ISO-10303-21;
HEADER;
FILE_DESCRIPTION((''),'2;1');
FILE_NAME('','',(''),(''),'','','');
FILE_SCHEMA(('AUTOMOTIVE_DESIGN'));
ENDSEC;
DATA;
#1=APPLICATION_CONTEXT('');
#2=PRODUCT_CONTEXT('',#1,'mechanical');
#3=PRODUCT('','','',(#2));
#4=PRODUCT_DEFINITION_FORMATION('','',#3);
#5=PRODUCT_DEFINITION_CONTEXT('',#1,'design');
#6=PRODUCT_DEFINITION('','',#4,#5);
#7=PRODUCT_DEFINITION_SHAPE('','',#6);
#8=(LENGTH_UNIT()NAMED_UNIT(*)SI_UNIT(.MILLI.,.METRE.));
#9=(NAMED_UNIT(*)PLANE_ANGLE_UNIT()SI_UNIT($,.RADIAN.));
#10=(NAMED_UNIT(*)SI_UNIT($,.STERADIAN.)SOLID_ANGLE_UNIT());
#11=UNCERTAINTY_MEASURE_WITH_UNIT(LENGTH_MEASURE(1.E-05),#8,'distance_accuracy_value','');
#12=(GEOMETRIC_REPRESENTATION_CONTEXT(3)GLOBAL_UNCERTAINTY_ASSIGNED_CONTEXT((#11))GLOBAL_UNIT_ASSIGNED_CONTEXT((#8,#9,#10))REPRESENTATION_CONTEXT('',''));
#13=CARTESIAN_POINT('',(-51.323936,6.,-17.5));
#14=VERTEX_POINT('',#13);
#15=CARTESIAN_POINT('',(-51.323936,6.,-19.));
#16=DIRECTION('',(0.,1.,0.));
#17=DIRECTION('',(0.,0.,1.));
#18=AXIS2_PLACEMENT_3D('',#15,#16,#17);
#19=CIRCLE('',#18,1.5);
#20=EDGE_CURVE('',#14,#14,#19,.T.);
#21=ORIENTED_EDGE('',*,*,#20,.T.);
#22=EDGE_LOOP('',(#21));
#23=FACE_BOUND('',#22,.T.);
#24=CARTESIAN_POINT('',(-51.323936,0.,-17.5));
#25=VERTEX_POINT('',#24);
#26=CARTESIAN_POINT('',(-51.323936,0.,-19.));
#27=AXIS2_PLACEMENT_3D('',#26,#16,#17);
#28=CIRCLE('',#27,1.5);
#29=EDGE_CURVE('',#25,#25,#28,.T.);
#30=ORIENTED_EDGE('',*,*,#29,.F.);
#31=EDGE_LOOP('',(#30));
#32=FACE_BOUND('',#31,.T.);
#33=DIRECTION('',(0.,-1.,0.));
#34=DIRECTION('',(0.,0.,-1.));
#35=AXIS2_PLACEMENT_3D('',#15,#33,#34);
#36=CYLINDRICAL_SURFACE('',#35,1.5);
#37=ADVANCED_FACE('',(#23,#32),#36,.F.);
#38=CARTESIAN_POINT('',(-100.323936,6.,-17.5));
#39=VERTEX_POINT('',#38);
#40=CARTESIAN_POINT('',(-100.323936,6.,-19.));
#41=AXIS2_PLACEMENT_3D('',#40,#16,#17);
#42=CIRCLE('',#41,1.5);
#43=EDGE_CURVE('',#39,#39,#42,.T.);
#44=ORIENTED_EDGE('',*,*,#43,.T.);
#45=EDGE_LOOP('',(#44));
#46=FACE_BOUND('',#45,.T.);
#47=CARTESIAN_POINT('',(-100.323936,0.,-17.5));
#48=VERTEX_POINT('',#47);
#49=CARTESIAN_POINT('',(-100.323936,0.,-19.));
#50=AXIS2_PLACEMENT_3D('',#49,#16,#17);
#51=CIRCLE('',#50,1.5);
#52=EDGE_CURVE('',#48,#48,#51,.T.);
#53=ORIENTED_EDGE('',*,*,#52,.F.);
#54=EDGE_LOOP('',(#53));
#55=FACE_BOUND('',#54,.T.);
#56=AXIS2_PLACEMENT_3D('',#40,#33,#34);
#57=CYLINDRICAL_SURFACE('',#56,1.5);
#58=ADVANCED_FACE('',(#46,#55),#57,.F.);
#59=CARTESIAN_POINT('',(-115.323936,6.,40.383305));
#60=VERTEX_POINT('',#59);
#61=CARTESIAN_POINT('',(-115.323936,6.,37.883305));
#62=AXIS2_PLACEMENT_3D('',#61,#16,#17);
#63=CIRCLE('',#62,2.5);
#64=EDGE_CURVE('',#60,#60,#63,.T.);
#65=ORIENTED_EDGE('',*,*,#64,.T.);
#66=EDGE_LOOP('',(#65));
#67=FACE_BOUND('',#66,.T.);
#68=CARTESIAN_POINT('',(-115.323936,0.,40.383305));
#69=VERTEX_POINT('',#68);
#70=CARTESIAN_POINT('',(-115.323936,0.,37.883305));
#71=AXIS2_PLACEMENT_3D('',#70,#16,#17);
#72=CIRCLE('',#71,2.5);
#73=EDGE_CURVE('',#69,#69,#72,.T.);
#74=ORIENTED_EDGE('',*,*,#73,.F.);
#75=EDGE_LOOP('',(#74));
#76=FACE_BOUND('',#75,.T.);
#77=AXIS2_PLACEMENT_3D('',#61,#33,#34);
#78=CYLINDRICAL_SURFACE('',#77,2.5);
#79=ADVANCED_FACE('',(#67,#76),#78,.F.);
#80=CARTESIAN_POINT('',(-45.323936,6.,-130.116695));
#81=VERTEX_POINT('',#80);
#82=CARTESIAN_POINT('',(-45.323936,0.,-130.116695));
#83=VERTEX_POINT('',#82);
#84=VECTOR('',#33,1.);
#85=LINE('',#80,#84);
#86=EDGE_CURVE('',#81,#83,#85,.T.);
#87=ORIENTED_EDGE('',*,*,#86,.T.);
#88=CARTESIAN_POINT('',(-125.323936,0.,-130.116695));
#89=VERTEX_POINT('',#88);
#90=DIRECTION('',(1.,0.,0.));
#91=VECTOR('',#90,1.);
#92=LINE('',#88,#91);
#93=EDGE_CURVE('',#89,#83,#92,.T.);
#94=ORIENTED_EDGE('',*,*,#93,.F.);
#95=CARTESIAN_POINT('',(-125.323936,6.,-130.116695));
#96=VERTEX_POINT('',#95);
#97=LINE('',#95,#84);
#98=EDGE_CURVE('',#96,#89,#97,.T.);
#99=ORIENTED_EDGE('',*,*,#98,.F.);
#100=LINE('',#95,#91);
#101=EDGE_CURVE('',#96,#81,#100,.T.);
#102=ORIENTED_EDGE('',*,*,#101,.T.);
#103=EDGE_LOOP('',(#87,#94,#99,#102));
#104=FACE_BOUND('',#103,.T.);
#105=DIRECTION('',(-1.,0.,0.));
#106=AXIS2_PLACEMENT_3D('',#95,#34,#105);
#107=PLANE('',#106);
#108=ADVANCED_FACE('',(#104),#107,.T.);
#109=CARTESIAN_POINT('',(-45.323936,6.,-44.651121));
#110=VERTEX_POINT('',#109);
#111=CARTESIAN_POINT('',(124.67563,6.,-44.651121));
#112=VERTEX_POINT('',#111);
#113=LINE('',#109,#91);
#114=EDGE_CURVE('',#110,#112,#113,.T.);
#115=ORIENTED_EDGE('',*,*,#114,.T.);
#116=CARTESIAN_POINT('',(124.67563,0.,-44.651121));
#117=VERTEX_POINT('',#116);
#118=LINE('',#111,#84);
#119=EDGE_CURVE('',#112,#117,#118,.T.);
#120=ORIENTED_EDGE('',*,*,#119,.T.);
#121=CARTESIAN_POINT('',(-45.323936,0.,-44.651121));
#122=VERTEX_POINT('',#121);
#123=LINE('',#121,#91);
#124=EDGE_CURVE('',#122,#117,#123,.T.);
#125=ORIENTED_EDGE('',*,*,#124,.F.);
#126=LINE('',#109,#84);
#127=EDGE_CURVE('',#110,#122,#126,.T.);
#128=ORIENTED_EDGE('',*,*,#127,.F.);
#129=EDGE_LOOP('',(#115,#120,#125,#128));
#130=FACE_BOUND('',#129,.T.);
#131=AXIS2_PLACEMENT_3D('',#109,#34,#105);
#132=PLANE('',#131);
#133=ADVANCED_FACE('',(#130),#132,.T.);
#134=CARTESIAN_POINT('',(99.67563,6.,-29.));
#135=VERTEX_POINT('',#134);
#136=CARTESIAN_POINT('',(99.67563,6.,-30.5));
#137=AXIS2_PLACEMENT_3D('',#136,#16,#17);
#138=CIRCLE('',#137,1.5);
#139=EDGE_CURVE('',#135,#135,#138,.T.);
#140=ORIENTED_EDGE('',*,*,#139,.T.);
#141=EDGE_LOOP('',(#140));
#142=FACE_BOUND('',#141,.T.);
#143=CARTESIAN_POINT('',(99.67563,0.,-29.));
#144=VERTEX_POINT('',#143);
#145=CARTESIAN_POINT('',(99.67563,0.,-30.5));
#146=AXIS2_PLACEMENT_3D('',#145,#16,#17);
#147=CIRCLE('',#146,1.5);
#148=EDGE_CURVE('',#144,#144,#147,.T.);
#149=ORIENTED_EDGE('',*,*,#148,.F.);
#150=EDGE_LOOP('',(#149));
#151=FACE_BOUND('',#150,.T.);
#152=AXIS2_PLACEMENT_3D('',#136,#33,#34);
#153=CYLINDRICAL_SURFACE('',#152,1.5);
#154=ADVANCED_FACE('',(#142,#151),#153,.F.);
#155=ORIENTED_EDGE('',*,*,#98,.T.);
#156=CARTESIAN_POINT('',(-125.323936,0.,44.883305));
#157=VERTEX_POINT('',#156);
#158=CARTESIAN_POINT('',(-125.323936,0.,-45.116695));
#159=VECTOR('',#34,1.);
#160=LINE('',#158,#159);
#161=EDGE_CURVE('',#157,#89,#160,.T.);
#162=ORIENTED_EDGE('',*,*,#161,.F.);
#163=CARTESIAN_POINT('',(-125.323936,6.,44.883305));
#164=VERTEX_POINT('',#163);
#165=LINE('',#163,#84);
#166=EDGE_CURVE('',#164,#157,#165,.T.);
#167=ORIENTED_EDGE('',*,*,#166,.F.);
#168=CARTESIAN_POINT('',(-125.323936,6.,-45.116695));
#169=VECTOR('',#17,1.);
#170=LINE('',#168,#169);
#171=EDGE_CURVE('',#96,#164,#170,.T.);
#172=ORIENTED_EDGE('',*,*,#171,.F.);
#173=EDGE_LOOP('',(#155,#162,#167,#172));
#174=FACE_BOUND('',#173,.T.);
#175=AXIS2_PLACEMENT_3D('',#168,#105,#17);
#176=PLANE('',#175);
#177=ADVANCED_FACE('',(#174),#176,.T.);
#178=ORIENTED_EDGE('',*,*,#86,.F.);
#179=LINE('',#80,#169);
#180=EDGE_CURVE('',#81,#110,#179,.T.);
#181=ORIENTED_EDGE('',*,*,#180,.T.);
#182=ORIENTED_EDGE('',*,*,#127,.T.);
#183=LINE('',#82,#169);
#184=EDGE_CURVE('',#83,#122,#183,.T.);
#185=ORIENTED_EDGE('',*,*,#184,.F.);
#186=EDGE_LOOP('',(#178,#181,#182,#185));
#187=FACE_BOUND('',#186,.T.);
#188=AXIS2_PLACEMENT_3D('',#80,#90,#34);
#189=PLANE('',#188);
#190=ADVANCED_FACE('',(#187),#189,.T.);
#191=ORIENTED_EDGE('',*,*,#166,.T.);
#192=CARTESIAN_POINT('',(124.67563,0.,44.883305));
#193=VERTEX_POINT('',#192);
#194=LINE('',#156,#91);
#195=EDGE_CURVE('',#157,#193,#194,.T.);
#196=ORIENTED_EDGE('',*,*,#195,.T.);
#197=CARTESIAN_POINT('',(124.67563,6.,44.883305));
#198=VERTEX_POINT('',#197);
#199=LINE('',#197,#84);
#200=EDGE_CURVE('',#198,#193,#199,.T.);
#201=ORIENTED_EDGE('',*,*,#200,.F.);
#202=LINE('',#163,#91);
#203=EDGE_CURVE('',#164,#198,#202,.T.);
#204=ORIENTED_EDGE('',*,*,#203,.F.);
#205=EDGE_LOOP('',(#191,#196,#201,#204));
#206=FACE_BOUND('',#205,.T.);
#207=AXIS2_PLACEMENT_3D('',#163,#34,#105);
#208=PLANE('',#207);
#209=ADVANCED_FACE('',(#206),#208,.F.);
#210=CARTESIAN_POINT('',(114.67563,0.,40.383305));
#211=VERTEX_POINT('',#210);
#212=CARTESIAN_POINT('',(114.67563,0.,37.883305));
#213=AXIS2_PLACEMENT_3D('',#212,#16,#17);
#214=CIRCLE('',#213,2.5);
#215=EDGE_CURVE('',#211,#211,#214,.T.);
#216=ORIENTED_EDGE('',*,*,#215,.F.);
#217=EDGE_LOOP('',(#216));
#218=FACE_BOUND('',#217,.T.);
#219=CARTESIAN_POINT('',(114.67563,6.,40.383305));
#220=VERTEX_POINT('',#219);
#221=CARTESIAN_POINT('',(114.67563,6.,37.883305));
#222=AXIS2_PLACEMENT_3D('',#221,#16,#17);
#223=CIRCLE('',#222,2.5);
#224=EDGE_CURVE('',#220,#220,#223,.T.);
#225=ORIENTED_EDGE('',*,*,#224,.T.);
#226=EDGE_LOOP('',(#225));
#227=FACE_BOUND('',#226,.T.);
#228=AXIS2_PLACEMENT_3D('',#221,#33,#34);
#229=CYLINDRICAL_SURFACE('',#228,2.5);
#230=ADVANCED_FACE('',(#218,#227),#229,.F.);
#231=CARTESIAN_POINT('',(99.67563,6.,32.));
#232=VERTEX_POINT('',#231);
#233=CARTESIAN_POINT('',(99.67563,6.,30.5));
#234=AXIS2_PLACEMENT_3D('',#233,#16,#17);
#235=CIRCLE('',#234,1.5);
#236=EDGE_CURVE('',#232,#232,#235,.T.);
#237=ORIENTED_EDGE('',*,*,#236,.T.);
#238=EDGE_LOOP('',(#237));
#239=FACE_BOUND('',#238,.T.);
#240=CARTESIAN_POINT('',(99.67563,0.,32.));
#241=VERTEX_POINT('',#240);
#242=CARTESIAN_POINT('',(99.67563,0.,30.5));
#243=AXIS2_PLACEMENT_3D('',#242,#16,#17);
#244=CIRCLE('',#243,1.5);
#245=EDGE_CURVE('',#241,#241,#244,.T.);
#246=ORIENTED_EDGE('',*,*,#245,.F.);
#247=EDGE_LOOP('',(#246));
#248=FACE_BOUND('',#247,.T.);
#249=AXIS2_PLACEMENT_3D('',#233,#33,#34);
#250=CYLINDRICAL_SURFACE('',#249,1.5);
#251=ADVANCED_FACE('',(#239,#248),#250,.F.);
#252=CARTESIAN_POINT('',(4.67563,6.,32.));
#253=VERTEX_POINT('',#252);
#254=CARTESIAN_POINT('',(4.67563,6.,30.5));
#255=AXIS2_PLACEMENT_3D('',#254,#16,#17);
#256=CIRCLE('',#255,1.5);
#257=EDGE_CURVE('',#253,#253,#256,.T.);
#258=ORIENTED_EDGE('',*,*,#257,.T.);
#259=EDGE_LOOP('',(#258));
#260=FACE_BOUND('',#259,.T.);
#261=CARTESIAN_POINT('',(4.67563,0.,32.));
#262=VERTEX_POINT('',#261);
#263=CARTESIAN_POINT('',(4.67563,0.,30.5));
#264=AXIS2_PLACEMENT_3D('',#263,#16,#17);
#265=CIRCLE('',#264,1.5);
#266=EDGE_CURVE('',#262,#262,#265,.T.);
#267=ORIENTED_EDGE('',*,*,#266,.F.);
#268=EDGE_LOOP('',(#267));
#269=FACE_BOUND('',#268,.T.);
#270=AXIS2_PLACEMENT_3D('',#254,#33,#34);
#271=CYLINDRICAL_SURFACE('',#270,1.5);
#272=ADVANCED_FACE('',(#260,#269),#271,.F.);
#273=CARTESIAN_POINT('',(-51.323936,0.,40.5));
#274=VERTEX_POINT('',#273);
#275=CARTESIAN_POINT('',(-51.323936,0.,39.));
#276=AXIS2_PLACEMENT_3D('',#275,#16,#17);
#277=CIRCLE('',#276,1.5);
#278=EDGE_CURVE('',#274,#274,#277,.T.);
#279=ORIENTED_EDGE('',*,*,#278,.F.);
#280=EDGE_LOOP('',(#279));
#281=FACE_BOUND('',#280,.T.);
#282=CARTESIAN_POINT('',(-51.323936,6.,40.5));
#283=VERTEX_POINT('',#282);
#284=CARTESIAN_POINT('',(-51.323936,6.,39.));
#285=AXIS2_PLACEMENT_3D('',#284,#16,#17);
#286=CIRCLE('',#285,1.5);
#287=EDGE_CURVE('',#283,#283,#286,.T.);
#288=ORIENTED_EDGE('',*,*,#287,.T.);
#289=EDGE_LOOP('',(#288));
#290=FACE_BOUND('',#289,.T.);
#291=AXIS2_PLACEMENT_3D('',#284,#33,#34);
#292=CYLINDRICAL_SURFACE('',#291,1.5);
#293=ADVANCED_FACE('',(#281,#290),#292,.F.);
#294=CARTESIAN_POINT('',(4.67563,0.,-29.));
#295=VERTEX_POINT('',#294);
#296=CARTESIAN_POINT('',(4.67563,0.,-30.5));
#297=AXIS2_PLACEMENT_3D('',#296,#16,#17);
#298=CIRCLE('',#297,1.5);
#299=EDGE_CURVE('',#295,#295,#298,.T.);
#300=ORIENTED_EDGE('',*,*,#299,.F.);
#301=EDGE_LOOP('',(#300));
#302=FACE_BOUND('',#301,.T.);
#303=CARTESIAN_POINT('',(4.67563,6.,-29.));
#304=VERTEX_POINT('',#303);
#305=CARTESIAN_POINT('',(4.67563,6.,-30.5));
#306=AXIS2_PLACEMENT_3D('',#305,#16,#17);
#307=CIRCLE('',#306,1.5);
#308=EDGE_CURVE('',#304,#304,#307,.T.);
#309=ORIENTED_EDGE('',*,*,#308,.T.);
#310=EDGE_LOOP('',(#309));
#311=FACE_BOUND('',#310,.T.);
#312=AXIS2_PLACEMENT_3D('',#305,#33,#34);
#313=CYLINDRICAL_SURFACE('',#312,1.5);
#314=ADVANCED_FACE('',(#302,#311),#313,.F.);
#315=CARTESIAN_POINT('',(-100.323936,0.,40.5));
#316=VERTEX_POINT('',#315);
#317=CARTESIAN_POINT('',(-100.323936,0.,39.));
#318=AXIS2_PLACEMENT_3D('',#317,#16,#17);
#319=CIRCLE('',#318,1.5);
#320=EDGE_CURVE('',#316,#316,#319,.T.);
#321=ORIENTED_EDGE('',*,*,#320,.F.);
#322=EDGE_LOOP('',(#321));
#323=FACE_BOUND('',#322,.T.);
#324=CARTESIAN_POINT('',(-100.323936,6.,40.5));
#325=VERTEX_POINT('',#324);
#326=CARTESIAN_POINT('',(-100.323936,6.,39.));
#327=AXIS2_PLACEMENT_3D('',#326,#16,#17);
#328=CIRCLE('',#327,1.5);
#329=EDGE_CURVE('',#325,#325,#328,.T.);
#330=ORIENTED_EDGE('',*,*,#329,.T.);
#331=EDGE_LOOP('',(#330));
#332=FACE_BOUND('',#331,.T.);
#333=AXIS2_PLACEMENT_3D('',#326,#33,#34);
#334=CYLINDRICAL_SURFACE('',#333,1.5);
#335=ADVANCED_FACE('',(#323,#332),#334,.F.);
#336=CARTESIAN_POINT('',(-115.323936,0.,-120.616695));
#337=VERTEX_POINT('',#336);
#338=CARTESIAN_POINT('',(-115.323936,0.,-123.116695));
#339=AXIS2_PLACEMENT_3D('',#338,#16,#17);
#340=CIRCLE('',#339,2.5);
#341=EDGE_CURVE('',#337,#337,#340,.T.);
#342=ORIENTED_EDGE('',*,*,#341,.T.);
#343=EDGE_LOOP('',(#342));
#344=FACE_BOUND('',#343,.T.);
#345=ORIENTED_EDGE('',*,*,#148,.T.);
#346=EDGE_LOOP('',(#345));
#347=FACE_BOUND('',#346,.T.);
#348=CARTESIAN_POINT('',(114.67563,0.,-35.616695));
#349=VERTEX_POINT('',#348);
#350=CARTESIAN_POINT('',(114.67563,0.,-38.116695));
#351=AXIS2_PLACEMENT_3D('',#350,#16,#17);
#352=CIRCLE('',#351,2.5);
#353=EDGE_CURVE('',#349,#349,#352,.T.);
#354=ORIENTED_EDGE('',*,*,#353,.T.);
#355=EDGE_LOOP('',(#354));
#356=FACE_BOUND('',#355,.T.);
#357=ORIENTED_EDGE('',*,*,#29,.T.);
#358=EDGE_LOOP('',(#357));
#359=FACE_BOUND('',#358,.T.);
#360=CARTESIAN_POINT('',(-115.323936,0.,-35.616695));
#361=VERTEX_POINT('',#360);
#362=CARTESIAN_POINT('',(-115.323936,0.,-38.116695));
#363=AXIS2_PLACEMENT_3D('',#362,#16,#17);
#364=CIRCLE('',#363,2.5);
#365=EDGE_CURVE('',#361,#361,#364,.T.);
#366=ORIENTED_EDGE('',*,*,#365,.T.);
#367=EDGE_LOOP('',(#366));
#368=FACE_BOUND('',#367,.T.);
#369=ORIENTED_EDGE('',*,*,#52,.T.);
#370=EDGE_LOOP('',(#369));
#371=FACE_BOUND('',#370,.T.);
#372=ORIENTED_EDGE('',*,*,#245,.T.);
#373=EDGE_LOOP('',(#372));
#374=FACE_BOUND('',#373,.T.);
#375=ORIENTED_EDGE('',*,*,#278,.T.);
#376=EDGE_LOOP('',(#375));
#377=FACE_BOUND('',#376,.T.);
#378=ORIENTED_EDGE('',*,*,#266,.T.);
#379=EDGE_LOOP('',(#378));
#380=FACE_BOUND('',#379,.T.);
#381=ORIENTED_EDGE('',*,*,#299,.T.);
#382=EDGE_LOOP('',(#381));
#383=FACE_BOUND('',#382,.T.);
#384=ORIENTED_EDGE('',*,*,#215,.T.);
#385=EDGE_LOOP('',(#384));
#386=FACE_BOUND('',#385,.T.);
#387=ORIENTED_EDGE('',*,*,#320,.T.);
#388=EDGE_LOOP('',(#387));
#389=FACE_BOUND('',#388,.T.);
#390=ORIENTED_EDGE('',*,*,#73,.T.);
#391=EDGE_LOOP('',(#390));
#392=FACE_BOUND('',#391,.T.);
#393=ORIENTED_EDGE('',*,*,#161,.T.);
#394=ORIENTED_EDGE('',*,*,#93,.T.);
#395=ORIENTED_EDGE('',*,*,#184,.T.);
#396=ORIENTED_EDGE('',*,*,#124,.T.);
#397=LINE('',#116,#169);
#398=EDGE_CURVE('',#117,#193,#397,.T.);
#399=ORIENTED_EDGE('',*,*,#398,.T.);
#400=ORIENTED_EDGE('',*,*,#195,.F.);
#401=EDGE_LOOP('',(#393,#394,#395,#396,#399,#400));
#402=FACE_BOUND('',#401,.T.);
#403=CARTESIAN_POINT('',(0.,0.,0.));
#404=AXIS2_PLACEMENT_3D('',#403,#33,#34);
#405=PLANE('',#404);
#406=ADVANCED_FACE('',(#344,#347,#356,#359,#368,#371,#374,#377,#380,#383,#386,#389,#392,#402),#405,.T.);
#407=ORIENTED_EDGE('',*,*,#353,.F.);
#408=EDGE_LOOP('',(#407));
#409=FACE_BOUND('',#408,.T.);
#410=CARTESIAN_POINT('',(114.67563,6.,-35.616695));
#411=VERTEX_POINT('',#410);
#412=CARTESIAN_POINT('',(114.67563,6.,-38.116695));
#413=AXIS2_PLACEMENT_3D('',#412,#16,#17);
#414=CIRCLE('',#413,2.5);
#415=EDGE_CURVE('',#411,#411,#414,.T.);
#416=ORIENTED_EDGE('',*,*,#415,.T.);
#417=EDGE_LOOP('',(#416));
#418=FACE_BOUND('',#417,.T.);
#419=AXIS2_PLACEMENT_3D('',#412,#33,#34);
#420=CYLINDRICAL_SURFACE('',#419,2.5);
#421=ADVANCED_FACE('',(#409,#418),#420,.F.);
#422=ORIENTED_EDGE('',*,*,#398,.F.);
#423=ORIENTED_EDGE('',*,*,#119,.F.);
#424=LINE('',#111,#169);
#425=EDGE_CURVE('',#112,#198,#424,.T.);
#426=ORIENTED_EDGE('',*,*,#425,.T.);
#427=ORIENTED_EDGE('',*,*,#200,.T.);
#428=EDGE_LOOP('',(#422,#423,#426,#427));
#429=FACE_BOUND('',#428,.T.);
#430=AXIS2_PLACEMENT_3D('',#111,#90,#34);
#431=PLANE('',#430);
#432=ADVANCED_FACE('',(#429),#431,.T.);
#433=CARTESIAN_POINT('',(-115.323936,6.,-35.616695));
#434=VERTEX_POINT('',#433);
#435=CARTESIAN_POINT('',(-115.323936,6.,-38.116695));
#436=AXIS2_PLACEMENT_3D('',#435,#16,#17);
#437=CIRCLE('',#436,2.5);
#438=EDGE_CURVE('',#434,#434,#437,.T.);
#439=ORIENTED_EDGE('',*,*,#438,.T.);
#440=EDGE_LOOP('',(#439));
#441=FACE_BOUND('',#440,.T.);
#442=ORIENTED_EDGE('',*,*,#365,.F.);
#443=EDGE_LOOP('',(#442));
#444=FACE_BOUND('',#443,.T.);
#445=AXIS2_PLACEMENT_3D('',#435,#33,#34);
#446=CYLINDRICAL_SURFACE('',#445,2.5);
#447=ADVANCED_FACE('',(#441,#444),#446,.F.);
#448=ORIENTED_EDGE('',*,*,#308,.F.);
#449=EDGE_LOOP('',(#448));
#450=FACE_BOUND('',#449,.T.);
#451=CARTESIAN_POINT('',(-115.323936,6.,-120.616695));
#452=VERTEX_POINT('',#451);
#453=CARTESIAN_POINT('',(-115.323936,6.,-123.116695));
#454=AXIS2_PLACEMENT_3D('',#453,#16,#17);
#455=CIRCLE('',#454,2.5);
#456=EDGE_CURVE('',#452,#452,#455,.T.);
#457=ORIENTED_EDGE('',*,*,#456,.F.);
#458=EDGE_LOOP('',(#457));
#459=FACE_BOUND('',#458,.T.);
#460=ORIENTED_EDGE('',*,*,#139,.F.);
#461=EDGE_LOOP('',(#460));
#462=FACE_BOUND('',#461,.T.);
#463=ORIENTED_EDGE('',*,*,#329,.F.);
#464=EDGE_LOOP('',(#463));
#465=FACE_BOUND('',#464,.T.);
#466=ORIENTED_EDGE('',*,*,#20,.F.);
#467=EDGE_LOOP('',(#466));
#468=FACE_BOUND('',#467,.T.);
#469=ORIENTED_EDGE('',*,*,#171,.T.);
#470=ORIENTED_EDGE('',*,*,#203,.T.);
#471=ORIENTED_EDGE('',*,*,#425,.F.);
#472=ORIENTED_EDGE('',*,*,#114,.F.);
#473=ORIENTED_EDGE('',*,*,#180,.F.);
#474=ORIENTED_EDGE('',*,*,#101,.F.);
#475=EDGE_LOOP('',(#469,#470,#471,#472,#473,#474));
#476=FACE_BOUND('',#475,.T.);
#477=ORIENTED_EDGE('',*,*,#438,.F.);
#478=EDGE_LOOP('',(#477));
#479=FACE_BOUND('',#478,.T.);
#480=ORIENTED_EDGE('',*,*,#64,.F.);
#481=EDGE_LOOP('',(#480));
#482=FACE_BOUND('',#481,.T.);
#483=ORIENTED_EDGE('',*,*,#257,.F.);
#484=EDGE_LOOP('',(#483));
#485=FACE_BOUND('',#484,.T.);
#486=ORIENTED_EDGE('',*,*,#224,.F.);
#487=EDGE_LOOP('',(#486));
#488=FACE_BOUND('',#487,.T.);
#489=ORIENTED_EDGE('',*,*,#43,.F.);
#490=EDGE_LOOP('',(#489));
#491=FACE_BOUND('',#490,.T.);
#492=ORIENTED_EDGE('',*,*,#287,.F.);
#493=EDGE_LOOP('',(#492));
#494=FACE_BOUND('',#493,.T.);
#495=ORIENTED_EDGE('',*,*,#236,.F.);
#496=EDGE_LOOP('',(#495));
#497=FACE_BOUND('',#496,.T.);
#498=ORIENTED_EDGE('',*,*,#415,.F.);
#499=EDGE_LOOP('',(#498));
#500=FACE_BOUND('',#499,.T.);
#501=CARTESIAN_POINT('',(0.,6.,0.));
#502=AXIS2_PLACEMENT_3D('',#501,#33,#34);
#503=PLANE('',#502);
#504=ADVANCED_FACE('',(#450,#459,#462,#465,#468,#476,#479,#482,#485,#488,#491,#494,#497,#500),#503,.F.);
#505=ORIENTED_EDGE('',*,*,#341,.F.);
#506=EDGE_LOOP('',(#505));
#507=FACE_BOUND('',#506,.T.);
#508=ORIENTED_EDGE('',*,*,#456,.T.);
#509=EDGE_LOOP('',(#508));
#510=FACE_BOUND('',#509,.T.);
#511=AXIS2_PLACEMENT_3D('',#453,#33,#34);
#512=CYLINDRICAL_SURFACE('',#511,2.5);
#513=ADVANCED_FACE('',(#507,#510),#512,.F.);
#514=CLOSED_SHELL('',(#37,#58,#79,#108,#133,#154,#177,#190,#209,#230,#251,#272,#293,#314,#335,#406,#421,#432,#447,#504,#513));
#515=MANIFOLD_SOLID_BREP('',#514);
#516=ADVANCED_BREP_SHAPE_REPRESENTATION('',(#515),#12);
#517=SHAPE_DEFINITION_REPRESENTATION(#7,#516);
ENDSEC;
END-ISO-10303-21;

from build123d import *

# Parameters (mm, degrees)
BOSS_EXTRUDE1_DEPTH = 6
SKETCH1_3_R         = 1.5
SKETCH1_3_R_2       = 2.5
CUT_EXTRUDE1_DEPTH  = 6
SKETCH1_4_R         = 1.5
SKETCH1_4_R_2       = 2.5
CUT_EXTRUDE3_DEPTH  = 6


with BuildPart() as part:
    # Sketch1 → Boss-Extrude1 (new body)
    with BuildSketch(Plane(origin=(0, 0, 0), x_dir=(1, 0, 0), z_dir=(0, 1, 0))):
        Polygon((-125.323936458, 45.11669536), (-125.323936458, 130.11669536), (-45.323936458, 130.11669536), (-45.323936458, 44.651121259), (124.675630024, 44.651121259), (124.675630024, -44.88330464), (-125.323936458, -44.88330464), align=None)
    extrude(amount=BOSS_EXTRUDE1_DEPTH)

    # Sketch1<3> → Cut-Extrude1 (cut)
    with BuildSketch(Plane(origin=(0, 0, 0), x_dir=(1, 0, 0), z_dir=(0, 1, 0))):
        with Locations((-100.323936458, 19)):
            Circle(SKETCH1_3_R)
        with Locations((-51.323936458, 19)):
            Circle(SKETCH1_3_R)
        with Locations((-51.323936458, -39)):
            Circle(SKETCH1_3_R)
        with Locations((-100.323936458, -39)):
            Circle(SKETCH1_3_R)
        with Locations((-115.323936458, 123.11669536)):
            Circle(SKETCH1_3_R_2)
    extrude(amount=CUT_EXTRUDE1_DEPTH, mode=Mode.SUBTRACT)

    # Sketch1<4> → Cut-Extrude3 (cut)
    with BuildSketch(Plane(origin=(0, 0, 0), x_dir=(1, 0, 0), z_dir=(0, 1, 0))):
        with Locations((4.675630024, 30.5)):
            Circle(SKETCH1_4_R)
        with Locations((99.675630024, 30.5)):
            Circle(SKETCH1_4_R)
        with Locations((99.675630024, -30.5)):
            Circle(SKETCH1_4_R)
        with Locations((4.675630024, -30.5)):
            Circle(SKETCH1_4_R)
        with Locations((-115.323936458, 38.11669536)):
            Circle(SKETCH1_4_R_2)
        with Locations((-115.323936458, -37.88330464)):
            Circle(SKETCH1_4_R_2)
        with Locations((114.675630024, -37.88330464)):
            Circle(SKETCH1_4_R_2)
        with Locations((114.675630024, 38.11669536)):
            Circle(SKETCH1_4_R_2)
    extrude(amount=CUT_EXTRUDE3_DEPTH, mode=Mode.SUBTRACT)


solid = part.part
